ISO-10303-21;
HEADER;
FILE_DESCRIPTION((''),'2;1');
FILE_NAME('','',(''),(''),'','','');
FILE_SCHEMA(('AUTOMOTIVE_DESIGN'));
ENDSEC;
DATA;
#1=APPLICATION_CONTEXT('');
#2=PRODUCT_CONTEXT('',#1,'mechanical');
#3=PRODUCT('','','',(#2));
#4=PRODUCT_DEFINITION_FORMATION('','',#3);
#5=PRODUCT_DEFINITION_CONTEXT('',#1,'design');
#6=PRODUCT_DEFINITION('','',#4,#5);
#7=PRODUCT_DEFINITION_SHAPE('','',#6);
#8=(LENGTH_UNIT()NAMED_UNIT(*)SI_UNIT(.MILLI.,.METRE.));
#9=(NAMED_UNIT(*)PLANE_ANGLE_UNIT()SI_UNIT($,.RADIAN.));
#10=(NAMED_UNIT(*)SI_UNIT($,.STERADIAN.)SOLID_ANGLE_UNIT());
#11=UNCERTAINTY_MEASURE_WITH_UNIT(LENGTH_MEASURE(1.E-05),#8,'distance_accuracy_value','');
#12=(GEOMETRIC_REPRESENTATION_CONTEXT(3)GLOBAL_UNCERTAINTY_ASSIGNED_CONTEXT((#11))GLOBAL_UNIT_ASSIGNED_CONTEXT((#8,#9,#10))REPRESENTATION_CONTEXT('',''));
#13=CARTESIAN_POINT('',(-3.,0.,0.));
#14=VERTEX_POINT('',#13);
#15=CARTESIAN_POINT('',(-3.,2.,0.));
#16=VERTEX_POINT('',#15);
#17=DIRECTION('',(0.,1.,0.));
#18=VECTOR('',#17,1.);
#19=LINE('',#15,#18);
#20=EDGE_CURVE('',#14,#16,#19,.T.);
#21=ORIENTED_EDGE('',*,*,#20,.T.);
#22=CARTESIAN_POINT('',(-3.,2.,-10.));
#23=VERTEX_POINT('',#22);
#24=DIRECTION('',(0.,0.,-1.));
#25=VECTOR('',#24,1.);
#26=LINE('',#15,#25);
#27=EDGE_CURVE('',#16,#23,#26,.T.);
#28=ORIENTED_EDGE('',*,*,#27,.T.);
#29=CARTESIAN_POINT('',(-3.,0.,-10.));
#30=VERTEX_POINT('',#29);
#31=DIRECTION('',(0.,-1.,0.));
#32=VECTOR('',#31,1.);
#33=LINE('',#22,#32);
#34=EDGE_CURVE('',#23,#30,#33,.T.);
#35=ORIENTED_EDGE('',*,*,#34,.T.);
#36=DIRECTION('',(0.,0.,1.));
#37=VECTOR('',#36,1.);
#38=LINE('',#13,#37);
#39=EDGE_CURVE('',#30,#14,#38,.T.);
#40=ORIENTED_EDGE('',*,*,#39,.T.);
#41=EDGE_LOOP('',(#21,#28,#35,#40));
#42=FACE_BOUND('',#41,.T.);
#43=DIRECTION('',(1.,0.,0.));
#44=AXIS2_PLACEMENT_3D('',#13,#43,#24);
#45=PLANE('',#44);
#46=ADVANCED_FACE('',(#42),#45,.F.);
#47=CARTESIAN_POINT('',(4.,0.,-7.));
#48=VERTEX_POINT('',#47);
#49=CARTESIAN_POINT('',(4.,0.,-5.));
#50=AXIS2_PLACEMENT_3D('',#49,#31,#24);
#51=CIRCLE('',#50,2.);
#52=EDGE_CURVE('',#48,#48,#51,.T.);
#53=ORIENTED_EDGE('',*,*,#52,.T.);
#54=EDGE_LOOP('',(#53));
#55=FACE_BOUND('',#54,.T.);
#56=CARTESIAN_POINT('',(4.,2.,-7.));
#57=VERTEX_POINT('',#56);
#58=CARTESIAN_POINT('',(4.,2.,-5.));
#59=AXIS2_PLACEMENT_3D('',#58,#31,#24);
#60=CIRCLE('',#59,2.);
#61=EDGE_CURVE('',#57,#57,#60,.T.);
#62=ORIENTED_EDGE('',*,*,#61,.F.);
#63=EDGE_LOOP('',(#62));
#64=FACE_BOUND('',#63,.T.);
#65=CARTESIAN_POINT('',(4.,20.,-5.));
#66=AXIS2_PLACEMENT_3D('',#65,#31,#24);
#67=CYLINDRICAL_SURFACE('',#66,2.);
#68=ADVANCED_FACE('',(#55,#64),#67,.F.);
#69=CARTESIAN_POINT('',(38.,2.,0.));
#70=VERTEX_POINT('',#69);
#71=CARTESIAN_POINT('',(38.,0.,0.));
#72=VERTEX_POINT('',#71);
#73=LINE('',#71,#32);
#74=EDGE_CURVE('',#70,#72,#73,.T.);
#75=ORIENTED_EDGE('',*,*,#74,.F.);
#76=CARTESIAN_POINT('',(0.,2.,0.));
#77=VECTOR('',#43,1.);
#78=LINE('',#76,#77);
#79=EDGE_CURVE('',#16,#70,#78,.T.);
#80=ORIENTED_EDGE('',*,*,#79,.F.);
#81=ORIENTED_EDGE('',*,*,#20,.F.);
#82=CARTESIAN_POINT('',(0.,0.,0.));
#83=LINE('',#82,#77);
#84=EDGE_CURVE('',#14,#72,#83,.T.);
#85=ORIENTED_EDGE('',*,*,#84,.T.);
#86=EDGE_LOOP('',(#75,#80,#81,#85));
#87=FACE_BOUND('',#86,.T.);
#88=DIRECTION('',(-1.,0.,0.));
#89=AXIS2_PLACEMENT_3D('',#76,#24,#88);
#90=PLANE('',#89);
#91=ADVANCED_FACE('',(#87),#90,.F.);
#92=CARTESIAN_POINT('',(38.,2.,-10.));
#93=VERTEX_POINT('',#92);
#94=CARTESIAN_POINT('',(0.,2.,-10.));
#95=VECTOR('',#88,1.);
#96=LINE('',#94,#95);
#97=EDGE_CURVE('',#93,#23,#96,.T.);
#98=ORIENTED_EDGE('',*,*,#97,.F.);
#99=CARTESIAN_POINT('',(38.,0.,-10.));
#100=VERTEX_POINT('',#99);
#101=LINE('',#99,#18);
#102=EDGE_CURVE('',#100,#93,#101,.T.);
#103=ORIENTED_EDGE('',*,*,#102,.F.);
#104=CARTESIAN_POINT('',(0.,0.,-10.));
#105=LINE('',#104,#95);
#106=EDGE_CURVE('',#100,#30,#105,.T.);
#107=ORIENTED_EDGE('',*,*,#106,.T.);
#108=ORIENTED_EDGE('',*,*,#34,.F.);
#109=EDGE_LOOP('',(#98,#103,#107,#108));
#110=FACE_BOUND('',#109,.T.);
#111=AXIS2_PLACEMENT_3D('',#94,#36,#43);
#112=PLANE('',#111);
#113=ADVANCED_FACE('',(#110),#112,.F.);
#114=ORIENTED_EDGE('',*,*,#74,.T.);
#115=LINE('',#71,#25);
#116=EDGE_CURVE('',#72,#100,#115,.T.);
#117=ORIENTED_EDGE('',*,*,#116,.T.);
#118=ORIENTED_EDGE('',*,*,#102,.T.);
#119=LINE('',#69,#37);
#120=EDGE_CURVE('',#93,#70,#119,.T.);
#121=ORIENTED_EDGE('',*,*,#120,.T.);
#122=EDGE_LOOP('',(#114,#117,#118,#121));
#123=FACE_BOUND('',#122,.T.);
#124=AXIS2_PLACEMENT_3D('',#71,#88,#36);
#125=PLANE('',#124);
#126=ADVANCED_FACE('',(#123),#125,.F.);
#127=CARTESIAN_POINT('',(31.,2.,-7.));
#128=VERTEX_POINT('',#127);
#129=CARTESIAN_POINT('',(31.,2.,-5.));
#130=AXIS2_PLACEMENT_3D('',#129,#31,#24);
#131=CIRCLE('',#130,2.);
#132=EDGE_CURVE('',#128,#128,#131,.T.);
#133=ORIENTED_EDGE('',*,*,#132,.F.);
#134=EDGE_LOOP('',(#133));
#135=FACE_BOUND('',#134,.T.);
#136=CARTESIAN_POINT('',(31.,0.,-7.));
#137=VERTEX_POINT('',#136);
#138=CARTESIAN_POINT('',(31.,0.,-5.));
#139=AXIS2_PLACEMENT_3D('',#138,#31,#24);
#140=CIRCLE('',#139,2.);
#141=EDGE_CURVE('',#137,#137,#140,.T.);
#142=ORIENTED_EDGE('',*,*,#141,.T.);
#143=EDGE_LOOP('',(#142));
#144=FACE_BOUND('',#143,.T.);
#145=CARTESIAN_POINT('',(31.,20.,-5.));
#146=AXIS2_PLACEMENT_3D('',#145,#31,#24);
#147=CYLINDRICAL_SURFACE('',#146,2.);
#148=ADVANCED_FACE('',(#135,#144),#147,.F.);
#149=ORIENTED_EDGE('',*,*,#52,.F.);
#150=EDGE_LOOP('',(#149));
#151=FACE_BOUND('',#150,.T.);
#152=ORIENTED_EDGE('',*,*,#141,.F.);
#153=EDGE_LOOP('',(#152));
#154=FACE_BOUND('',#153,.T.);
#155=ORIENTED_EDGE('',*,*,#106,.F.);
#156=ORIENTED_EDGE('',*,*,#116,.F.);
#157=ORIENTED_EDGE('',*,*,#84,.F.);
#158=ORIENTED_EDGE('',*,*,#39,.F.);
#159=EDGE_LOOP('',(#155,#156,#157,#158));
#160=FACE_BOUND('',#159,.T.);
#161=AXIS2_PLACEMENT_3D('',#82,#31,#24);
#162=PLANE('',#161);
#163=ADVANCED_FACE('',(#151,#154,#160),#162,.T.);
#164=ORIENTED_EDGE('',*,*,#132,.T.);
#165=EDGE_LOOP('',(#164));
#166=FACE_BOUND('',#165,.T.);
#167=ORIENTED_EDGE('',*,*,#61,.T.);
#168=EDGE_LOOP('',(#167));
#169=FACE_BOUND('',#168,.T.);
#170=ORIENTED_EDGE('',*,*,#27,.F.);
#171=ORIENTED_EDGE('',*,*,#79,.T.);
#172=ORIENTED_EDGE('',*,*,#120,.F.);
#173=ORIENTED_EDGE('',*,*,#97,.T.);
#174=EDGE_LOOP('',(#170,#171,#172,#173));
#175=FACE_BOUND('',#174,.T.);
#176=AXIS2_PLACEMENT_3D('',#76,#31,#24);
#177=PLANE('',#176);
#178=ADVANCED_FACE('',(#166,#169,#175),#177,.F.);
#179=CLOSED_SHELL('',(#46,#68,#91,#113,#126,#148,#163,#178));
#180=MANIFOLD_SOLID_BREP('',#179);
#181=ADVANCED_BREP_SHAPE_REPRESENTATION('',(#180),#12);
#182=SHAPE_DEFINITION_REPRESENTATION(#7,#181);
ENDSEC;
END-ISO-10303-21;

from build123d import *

# Parameters (mm, degrees)
SKETCH1_W           = 35
SKETCH1_H           = 10
BOSS_EXTRUDE1_DEPTH = 2
SKETCH4_R           = 2
CUT_EXTRUDE2_DEPTH  = 20
SKETCH5_W           = 10
SKETCH5_H           = 2
BOSS_EXTRUDE3_DEPTH = 3
SKETCH6_W           = 10
SKETCH6_H           = 2
BOSS_EXTRUDE4_DEPTH = 3


with BuildPart() as part:
    # Sketch1 → Boss-Extrude1 (new body)
    with BuildSketch(Plane(origin=(0, 0, 0), x_dir=(1, 0, 0), z_dir=(0, 1, 0))):
        with Locations((17.5, 5)):
            Rectangle(SKETCH1_W, SKETCH1_H)
    extrude(amount=BOSS_EXTRUDE1_DEPTH)

    # Sketch4 → Cut-Extrude2 (cut)
    with BuildSketch(Plane.XZ):
        with Locations(Location((4, -5, 0), (0, 0, 270))):
            Circle(SKETCH4_R)
        with Locations(Location((31, -5, 0), (0, 0, 270))):
            Circle(SKETCH4_R)
    extrude(amount=-CUT_EXTRUDE2_DEPTH, mode=Mode.SUBTRACT)

    # Sketch5 → Boss-Extrude3 (add)
    with BuildSketch(Plane.ZY):
        with Locations((-5, 1)):
            Rectangle(SKETCH5_W, SKETCH5_H)
    extrude(amount=BOSS_EXTRUDE3_DEPTH)

    # Sketch6 → Boss-Extrude4 (add)
    with BuildSketch(Plane(origin=(35, 0, 0), x_dir=(0, 0, -1), z_dir=(1, 0, 0))):
        with Locations((5, 1)):
            Rectangle(SKETCH6_W, SKETCH6_H)
    extrude(amount=BOSS_EXTRUDE4_DEPTH)


solid = part.part
